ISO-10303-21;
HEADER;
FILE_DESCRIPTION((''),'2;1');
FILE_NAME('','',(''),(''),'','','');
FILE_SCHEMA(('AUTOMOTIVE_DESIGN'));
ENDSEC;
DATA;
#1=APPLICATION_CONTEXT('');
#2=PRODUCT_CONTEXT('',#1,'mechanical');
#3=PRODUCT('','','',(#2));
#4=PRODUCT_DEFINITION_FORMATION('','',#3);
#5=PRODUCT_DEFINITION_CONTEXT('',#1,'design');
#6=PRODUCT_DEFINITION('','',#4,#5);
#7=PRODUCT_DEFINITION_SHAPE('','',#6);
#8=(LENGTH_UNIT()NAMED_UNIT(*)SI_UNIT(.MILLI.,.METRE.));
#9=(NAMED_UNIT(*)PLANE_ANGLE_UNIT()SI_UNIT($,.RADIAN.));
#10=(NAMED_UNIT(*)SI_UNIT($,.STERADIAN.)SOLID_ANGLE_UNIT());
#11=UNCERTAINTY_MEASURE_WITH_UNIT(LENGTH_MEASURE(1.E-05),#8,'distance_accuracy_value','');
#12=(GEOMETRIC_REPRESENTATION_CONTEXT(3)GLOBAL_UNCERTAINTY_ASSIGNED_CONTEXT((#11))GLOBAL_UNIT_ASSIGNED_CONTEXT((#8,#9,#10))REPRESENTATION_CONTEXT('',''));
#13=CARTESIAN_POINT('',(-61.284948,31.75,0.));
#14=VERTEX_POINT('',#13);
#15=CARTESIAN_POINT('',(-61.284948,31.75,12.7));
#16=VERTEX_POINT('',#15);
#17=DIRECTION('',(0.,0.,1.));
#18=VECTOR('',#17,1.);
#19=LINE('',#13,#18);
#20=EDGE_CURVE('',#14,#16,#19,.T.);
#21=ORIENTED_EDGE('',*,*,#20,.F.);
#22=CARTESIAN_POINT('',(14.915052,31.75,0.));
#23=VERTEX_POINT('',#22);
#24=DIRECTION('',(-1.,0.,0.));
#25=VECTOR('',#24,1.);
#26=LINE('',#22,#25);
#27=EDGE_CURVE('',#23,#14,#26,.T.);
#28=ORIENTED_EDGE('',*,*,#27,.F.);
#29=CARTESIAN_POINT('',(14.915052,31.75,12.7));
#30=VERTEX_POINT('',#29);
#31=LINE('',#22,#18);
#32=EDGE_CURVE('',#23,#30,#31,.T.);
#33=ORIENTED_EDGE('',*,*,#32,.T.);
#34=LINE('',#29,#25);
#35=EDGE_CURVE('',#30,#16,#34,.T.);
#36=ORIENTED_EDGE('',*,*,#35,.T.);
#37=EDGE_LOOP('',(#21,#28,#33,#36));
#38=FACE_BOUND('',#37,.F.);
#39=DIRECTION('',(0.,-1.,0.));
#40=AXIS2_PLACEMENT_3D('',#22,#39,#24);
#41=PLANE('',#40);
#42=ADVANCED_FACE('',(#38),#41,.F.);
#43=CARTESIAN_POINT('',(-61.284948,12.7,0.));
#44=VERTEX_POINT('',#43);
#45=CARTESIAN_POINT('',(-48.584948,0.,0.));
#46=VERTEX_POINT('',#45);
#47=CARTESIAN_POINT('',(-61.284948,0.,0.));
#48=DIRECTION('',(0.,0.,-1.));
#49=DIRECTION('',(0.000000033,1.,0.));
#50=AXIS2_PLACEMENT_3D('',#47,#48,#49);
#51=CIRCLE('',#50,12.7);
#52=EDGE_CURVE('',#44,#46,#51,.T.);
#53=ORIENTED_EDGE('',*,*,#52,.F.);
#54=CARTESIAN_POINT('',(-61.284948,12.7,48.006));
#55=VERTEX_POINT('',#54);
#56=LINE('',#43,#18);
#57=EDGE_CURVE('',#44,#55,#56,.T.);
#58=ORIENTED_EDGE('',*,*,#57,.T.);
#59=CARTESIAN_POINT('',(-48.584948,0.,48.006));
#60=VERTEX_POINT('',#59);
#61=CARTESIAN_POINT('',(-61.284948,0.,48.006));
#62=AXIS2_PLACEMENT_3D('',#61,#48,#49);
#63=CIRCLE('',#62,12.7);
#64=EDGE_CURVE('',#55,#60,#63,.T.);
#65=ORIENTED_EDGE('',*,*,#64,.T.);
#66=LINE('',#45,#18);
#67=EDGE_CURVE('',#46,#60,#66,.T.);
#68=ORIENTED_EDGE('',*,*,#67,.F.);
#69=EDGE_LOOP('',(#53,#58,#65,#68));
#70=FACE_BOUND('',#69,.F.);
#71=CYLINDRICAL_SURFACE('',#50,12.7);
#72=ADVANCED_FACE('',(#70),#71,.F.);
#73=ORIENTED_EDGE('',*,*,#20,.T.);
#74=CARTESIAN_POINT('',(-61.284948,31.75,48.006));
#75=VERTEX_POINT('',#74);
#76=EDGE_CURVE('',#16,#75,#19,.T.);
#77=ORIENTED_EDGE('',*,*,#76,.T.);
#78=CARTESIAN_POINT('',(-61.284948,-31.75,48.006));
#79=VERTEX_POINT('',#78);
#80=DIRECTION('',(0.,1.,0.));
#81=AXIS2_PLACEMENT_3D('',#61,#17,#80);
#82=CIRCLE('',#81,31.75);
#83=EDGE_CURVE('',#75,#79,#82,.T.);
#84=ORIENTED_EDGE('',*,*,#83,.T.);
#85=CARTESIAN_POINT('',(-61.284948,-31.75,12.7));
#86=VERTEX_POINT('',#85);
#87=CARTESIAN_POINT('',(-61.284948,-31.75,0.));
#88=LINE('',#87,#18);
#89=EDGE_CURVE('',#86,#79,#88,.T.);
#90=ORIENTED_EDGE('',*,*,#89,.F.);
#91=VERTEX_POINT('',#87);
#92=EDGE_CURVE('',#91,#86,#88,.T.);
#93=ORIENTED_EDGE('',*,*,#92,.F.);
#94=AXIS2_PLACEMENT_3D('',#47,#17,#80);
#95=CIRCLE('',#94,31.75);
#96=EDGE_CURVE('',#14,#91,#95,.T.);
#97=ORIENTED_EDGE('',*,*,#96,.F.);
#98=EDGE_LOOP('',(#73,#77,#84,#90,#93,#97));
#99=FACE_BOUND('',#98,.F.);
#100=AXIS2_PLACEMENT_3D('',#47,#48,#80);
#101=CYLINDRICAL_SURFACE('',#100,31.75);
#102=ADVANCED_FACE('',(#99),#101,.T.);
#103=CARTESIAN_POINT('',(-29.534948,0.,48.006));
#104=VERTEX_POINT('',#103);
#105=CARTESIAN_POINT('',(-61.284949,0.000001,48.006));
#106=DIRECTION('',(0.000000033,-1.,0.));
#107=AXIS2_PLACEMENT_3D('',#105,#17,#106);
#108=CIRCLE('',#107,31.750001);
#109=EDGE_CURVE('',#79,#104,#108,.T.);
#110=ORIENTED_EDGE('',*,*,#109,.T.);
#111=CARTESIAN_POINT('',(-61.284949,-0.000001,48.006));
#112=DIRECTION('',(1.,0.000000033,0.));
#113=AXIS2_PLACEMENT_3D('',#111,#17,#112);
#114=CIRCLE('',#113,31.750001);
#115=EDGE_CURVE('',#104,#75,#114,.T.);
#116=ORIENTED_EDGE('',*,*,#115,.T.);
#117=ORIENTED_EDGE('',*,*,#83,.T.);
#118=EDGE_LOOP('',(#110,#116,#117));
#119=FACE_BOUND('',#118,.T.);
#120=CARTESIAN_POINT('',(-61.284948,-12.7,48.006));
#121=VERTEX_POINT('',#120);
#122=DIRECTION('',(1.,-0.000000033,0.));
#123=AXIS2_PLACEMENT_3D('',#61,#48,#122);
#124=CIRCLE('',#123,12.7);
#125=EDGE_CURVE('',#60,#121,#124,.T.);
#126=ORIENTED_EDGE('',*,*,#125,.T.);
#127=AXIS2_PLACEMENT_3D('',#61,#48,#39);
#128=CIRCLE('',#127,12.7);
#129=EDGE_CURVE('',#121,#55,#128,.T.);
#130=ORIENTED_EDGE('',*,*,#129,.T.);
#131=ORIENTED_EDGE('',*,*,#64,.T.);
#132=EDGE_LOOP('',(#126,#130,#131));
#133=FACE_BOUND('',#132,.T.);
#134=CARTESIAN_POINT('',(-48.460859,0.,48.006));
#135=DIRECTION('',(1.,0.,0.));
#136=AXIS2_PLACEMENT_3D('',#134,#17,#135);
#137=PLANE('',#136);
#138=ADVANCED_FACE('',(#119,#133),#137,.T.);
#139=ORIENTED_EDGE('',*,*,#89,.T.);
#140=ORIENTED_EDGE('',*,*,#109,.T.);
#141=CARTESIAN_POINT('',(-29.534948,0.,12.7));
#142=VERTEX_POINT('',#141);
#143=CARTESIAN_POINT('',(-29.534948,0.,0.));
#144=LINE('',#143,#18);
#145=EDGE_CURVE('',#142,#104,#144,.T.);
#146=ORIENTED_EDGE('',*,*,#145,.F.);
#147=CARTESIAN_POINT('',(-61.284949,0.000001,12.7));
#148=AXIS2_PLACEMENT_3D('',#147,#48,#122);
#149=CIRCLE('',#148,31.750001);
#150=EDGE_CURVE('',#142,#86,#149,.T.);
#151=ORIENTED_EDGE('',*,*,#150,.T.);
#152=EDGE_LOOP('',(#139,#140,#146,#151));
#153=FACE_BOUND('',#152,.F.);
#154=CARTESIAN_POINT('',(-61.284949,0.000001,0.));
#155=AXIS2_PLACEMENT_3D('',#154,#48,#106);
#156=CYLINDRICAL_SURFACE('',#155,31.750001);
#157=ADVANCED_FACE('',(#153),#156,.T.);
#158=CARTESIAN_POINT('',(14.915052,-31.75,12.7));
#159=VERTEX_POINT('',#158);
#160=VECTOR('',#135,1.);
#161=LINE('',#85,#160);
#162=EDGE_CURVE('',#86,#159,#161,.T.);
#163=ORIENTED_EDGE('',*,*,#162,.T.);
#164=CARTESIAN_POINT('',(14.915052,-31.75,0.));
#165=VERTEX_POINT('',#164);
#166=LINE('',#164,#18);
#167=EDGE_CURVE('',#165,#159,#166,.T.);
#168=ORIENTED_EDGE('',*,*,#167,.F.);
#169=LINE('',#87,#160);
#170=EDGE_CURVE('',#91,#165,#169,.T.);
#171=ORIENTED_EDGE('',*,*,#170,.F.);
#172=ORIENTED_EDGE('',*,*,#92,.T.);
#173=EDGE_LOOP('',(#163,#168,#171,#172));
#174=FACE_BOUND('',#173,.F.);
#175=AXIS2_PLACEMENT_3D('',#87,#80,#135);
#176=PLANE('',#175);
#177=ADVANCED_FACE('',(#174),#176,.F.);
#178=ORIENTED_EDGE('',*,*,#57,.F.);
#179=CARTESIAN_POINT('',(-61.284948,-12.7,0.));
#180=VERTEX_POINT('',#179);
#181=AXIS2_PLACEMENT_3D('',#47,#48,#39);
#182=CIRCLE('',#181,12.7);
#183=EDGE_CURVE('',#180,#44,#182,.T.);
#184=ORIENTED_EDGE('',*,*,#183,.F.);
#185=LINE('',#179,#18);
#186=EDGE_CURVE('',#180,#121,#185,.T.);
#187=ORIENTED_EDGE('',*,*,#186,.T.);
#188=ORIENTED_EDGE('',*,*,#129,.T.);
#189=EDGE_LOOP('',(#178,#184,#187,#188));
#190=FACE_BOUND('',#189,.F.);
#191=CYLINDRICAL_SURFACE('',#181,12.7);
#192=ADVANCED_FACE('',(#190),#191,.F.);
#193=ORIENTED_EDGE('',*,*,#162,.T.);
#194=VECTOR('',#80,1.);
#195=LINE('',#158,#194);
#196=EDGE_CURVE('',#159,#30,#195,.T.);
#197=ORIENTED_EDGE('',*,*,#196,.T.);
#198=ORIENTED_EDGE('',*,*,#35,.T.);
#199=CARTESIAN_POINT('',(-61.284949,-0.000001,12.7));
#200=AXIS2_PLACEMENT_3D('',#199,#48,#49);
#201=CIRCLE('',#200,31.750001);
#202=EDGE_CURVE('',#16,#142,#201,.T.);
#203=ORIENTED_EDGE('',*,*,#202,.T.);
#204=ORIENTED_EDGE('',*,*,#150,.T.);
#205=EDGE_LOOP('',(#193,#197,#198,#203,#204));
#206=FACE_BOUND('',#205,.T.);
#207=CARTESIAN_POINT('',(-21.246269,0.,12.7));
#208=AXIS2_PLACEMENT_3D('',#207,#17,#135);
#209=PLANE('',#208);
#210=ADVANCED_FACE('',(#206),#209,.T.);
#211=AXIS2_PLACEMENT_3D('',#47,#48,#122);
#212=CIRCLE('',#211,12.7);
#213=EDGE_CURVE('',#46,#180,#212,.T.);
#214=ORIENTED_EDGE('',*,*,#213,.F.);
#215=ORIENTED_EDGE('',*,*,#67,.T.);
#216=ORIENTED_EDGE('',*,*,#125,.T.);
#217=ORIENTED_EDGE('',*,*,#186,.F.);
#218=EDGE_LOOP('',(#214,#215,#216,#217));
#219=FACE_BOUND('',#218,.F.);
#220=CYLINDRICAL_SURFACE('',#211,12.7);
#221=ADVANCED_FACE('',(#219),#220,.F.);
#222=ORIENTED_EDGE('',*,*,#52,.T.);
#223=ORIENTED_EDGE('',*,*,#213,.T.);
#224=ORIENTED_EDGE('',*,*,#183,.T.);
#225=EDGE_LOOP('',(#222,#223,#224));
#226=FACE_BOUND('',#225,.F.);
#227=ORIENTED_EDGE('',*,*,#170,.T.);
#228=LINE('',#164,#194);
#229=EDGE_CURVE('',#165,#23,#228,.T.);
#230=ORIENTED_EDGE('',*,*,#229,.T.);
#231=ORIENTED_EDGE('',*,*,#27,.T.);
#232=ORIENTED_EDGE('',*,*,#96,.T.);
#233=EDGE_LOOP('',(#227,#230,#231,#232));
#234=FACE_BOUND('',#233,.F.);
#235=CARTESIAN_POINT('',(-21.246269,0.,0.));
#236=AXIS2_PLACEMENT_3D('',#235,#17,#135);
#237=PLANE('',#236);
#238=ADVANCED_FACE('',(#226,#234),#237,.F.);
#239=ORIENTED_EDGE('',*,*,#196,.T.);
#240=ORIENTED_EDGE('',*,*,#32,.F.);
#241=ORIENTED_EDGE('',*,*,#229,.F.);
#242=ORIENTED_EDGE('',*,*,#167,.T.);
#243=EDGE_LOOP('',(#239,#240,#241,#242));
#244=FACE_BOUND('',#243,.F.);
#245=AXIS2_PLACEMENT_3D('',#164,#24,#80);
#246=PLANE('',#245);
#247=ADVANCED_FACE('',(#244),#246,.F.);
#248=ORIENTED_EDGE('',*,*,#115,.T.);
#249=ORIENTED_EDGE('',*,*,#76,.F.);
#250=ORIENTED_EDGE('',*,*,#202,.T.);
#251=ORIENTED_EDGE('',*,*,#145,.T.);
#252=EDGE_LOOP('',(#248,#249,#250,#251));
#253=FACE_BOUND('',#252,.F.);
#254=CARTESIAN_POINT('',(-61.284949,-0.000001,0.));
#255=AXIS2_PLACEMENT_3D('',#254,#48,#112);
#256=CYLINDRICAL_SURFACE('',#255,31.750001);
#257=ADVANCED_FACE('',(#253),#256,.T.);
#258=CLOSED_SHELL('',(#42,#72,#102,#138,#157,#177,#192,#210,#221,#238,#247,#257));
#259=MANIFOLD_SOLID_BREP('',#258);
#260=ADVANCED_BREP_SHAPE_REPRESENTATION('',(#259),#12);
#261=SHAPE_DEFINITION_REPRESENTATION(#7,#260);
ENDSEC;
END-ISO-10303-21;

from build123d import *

# Parameters (mm, degrees)
F1_DEPTH = 48.006
F2_DEPTH = 12.7


with BuildPart() as f1:
    # F0 (on Top) → F1 (new body)
    with BuildSketch(Plane.XY):
        with BuildLine():
            ThreePointArc((-29.534948, 0), (-38.834308, 22.45064), (-61.284948, 31.75))
            Line((-61.284948, 31.75), (-61.284948, 12.7))
            ThreePointArc((-61.284948, 12.7), (-52.304692, 8.980256), (-48.584948, 0))
            ThreePointArc((-48.584948, 0), (-52.304692, -8.980256), (-61.284948, -12.7))
            Line((-61.284948, -12.7), (-61.284948, -31.75))
            ThreePointArc((-61.284948, -31.75), (-38.834308, -22.45064), (-29.534948, 0))
        make_face()
        with BuildLine():
            Line((-61.284948, 12.7), (-61.284948, 31.75))
            ThreePointArc((-61.284948, 31.75), (-93.034948, 0), (-61.284948, -31.75))
            Line((-61.284948, -31.75), (-61.284948, -12.7))
            ThreePointArc((-61.284948, -12.7), (-73.984948, 0), (-61.284948, 12.7))
        make_face()
    extrude(amount=F1_DEPTH)

    # F0 (on Top) → F2 (join)
    with BuildSketch(Plane.XY):
        with BuildLine():
            Line((14.915052, 31.75), (-61.284948, 31.75))
            ThreePointArc((-61.284948, 31.75), (-38.834308, 22.45064), (-29.534948, 0))
            ThreePointArc((-29.534948, 0), (-38.834308, -22.45064), (-61.284948, -31.75))
            Line((-61.284948, -31.75), (14.915052, -31.75))
            Line((14.915052, -31.75), (14.915052, 31.75))
        make_face()
    extrude(amount=F2_DEPTH)


solid = f1.part
